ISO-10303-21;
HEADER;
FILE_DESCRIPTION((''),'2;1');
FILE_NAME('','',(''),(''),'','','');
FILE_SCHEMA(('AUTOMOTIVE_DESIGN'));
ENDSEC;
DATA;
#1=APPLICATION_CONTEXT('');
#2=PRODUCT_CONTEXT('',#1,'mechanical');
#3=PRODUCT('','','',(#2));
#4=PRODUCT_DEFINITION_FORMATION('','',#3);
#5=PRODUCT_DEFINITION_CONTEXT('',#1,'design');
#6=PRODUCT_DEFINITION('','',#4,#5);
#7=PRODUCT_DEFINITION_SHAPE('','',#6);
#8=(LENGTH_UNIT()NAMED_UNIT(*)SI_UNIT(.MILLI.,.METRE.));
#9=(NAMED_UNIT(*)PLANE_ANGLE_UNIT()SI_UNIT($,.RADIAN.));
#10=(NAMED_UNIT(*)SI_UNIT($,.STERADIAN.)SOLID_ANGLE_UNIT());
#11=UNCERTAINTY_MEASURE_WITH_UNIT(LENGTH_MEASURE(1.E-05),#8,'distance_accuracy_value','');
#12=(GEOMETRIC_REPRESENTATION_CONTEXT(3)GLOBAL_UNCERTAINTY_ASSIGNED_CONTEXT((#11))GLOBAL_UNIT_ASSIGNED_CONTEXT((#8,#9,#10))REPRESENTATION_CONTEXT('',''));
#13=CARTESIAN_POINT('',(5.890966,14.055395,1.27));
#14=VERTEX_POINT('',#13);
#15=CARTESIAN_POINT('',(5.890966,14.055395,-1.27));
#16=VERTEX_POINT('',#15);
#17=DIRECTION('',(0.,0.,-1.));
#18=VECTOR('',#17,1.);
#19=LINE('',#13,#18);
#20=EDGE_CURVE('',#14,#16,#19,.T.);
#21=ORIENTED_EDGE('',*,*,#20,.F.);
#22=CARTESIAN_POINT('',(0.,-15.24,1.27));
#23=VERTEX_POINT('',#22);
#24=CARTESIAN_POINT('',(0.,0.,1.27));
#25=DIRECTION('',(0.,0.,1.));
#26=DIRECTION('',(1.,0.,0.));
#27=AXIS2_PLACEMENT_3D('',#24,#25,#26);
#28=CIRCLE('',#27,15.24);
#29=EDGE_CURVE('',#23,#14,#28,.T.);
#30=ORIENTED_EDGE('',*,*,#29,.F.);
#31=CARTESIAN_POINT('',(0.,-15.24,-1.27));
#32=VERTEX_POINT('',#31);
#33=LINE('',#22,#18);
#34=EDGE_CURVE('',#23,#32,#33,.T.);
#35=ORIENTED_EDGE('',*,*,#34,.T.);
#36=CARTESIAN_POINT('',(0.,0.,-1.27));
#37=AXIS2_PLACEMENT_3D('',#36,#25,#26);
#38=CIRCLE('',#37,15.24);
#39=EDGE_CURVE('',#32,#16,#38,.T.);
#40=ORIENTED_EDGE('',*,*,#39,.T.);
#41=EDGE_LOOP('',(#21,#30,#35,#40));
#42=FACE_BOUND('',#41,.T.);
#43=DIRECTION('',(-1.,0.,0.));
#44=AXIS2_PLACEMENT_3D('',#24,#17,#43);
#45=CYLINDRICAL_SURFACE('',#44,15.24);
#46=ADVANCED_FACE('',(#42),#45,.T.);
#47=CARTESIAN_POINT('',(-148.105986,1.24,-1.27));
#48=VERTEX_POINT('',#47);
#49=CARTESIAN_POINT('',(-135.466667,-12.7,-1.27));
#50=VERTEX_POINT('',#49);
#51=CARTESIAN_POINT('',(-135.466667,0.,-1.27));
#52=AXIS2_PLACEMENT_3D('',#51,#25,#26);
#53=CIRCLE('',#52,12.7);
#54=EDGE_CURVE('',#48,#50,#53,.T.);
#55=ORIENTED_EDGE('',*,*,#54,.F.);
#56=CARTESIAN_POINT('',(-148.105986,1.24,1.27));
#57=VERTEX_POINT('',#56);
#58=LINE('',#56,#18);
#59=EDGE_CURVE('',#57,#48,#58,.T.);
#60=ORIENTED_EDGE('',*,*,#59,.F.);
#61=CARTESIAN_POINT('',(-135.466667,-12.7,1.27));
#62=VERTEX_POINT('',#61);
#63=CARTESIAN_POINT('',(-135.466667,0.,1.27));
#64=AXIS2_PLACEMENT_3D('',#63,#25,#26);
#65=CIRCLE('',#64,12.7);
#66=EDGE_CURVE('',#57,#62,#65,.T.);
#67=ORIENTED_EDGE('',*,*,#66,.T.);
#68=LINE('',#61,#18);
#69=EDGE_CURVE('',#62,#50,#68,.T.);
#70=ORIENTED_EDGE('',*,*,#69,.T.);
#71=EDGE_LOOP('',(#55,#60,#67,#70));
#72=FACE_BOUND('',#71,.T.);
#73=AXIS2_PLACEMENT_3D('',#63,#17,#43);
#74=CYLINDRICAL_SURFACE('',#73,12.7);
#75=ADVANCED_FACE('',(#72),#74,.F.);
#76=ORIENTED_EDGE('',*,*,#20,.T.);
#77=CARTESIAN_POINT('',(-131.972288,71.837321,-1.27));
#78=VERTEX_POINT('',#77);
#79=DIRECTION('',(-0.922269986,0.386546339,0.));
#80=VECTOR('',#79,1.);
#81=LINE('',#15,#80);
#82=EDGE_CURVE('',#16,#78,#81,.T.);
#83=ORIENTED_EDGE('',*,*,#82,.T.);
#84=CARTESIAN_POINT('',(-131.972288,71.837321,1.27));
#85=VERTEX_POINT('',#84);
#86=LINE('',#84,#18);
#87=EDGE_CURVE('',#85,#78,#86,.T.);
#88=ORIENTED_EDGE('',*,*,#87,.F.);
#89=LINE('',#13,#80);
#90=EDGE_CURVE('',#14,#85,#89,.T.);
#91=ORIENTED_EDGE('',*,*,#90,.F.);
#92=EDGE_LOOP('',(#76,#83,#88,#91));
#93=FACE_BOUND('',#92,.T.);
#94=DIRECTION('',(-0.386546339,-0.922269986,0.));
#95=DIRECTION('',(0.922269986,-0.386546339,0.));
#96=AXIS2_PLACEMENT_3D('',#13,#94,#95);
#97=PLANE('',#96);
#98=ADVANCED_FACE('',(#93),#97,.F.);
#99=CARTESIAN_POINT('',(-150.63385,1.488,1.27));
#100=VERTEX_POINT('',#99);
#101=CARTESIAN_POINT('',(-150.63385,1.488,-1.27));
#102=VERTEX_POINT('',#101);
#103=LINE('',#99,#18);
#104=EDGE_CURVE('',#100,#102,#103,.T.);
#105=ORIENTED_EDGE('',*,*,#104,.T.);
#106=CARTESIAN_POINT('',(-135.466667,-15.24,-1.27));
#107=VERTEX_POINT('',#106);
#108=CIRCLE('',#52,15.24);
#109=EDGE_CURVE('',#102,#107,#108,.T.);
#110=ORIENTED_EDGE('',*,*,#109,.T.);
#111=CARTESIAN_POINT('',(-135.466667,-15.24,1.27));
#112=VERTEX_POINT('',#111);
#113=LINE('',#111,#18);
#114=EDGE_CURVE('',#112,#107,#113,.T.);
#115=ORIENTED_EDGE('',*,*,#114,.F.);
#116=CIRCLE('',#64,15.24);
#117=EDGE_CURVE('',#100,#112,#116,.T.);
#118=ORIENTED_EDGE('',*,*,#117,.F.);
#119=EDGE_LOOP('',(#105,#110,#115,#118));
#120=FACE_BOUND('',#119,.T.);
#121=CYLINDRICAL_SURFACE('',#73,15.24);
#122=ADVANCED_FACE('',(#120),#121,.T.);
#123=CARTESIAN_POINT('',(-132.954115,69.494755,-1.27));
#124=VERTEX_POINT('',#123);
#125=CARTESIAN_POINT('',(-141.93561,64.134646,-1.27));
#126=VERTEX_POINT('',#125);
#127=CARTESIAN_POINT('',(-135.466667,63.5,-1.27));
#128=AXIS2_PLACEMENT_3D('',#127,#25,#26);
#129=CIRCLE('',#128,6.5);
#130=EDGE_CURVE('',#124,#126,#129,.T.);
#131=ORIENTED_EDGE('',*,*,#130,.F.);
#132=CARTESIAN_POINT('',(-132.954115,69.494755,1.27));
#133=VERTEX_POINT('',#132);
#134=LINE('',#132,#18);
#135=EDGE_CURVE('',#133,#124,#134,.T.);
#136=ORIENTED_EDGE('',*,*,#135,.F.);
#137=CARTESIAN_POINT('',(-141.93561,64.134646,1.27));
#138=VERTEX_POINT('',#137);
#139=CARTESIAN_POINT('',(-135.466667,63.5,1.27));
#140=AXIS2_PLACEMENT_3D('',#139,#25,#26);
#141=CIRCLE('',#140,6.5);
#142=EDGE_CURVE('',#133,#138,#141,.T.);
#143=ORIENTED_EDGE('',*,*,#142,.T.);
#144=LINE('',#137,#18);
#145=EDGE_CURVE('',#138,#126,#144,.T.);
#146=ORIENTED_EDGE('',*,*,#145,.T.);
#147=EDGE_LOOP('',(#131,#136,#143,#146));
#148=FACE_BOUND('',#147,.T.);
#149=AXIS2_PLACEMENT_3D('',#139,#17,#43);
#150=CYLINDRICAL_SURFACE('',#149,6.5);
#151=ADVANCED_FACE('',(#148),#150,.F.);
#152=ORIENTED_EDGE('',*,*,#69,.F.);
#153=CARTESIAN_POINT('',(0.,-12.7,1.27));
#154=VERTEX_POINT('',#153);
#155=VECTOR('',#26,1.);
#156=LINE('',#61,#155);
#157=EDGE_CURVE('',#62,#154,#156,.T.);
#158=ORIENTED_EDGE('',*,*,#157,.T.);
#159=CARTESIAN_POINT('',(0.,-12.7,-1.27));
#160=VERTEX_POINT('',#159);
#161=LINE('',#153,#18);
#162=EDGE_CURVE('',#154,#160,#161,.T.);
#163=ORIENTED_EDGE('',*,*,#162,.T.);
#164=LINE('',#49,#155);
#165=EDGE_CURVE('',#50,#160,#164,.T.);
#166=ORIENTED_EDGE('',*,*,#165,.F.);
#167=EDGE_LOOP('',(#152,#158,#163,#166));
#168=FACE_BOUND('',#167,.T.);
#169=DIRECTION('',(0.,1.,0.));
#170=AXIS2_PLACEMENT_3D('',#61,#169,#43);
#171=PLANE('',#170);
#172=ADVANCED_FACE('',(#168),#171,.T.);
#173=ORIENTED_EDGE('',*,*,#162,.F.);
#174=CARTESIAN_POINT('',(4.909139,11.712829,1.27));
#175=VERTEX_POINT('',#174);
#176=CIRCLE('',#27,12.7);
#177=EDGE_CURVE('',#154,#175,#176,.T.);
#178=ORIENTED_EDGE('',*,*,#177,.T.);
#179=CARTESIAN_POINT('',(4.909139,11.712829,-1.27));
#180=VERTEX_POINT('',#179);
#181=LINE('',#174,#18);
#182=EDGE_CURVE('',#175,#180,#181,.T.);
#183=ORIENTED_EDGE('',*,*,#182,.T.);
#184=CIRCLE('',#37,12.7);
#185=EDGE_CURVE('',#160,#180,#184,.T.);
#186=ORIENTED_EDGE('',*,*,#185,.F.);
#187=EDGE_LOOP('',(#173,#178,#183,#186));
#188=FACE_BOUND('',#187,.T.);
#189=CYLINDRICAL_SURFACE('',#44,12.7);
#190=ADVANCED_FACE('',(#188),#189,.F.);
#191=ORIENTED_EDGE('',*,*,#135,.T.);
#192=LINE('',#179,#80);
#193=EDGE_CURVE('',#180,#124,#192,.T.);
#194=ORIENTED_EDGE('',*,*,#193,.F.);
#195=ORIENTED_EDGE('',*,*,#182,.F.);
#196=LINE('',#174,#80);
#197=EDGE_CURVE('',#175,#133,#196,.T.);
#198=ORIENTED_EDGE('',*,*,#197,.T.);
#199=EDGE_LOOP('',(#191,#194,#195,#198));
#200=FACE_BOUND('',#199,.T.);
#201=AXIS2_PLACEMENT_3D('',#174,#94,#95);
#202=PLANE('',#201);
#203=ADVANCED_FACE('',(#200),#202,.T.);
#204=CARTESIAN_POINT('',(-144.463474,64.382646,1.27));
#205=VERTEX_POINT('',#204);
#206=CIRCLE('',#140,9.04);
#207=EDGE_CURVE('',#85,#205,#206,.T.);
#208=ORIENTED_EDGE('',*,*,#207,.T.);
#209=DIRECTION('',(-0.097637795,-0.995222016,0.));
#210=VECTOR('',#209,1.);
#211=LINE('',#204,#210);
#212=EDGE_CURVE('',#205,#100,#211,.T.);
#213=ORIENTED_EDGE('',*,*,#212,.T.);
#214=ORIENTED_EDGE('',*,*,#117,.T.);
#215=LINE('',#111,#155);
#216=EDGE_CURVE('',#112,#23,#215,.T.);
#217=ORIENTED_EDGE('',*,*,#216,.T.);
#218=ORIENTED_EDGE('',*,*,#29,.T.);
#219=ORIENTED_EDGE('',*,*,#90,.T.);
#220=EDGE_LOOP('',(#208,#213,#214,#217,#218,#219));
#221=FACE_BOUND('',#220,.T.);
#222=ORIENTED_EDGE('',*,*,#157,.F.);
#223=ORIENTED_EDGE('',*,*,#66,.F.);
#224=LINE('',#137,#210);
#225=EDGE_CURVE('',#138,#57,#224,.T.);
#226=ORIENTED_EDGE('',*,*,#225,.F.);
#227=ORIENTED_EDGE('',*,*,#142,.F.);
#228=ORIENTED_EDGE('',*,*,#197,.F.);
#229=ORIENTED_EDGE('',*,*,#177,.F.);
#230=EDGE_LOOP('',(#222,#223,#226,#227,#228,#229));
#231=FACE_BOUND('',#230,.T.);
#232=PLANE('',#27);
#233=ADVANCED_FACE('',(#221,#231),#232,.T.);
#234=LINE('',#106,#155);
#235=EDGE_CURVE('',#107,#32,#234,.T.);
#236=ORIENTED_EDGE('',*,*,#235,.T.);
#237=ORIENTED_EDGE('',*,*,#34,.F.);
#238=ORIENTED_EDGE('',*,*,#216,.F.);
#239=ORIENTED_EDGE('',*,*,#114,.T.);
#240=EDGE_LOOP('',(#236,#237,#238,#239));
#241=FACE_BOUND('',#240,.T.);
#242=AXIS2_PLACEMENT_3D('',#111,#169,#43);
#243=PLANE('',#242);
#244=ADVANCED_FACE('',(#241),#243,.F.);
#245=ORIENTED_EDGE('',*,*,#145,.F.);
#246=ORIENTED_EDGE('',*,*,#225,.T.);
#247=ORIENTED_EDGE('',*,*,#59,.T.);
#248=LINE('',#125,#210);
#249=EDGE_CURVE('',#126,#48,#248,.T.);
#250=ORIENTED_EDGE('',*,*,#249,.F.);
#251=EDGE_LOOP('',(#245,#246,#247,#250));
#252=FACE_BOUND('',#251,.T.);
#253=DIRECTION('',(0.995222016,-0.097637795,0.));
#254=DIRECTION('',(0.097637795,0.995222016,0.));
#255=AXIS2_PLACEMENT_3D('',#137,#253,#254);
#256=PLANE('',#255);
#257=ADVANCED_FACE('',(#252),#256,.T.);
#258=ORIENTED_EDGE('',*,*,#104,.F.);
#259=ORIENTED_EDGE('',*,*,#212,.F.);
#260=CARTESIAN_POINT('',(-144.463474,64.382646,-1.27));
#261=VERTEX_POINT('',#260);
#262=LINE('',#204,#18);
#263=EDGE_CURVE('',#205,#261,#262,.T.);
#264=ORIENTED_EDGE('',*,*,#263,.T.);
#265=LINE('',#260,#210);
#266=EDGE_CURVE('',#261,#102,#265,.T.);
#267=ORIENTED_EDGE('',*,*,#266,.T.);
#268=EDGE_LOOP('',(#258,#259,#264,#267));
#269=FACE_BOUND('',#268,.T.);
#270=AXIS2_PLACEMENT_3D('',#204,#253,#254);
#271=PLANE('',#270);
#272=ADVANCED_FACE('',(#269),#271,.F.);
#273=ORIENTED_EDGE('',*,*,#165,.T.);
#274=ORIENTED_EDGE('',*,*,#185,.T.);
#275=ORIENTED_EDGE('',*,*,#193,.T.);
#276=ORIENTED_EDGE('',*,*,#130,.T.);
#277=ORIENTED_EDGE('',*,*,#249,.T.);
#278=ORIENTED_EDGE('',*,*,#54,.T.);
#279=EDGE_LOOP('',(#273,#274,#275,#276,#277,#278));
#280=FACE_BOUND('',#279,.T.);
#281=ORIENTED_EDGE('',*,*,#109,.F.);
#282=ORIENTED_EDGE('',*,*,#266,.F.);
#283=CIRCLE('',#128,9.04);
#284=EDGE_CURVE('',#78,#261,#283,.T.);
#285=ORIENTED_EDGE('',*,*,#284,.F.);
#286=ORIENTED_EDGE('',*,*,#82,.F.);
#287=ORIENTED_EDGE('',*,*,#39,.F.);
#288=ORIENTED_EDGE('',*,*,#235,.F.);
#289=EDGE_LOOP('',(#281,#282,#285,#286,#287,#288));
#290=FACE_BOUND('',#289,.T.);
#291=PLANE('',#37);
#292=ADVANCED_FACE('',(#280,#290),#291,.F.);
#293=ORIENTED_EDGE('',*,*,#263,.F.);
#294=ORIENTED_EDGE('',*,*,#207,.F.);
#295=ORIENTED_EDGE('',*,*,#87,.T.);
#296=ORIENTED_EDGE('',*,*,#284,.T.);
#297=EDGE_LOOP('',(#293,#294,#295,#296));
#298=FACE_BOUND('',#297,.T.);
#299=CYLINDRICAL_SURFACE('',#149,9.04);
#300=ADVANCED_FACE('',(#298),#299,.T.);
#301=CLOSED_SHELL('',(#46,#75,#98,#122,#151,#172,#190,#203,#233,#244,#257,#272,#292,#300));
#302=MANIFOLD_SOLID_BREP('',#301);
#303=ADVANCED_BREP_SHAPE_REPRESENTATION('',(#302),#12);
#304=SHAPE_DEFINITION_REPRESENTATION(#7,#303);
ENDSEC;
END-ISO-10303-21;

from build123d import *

# Parameters (mm, degrees)
BOSS_EXTRUDE1_DEPTH = 1.27


with BuildPart() as part:
    # Sketch3 → Boss-Extrude1 (new body, symmetric)
    with BuildSketch(Plane.XY):
        with BuildLine():
            Line((5.890966214, 14.05539459), (-131.972287758, 71.837320675))
            ThreePointArc((-131.972287758, 71.837320675), (-140.099400595, 71.262691308), (-144.46347369, 64.382645669))
            Line((-144.46347369, 64.382645669), (-150.633850189, 1.488))
            ThreePointArc((-150.633850189, 1.488), (-146.756811041, -10.236710409), (-135.466666667, -15.24))
            Line((-135.466666667, -15.24), (0, -15.24))
            ThreePointArc((0, -15.24), (14.940913853, -3.004445577), (5.890966214, 14.05539459))
        make_face()
        with BuildLine():
            Line((-141.93560977, 64.134645669), (-148.105986269, 1.24))
            ThreePointArc((-148.105986269, 1.24), (-144.875120312, -8.530592008), (-135.466666667, -12.7))
            Line((-135.466666667, -12.7), (0, -12.7))
            ThreePointArc((0, -12.7), (12.450761544, -2.503704648), (4.909138512, 11.712828825))
            Line((4.909138512, 11.712828825), (-132.95411546, 69.49475491))
            ThreePointArc((-132.95411546, 69.49475491), (-138.797725354, 69.08158114), (-141.93560977, 64.134645669))
        make_face(mode=Mode.SUBTRACT)
    extrude(amount=BOSS_EXTRUDE1_DEPTH, both=True)


solid = part.part
